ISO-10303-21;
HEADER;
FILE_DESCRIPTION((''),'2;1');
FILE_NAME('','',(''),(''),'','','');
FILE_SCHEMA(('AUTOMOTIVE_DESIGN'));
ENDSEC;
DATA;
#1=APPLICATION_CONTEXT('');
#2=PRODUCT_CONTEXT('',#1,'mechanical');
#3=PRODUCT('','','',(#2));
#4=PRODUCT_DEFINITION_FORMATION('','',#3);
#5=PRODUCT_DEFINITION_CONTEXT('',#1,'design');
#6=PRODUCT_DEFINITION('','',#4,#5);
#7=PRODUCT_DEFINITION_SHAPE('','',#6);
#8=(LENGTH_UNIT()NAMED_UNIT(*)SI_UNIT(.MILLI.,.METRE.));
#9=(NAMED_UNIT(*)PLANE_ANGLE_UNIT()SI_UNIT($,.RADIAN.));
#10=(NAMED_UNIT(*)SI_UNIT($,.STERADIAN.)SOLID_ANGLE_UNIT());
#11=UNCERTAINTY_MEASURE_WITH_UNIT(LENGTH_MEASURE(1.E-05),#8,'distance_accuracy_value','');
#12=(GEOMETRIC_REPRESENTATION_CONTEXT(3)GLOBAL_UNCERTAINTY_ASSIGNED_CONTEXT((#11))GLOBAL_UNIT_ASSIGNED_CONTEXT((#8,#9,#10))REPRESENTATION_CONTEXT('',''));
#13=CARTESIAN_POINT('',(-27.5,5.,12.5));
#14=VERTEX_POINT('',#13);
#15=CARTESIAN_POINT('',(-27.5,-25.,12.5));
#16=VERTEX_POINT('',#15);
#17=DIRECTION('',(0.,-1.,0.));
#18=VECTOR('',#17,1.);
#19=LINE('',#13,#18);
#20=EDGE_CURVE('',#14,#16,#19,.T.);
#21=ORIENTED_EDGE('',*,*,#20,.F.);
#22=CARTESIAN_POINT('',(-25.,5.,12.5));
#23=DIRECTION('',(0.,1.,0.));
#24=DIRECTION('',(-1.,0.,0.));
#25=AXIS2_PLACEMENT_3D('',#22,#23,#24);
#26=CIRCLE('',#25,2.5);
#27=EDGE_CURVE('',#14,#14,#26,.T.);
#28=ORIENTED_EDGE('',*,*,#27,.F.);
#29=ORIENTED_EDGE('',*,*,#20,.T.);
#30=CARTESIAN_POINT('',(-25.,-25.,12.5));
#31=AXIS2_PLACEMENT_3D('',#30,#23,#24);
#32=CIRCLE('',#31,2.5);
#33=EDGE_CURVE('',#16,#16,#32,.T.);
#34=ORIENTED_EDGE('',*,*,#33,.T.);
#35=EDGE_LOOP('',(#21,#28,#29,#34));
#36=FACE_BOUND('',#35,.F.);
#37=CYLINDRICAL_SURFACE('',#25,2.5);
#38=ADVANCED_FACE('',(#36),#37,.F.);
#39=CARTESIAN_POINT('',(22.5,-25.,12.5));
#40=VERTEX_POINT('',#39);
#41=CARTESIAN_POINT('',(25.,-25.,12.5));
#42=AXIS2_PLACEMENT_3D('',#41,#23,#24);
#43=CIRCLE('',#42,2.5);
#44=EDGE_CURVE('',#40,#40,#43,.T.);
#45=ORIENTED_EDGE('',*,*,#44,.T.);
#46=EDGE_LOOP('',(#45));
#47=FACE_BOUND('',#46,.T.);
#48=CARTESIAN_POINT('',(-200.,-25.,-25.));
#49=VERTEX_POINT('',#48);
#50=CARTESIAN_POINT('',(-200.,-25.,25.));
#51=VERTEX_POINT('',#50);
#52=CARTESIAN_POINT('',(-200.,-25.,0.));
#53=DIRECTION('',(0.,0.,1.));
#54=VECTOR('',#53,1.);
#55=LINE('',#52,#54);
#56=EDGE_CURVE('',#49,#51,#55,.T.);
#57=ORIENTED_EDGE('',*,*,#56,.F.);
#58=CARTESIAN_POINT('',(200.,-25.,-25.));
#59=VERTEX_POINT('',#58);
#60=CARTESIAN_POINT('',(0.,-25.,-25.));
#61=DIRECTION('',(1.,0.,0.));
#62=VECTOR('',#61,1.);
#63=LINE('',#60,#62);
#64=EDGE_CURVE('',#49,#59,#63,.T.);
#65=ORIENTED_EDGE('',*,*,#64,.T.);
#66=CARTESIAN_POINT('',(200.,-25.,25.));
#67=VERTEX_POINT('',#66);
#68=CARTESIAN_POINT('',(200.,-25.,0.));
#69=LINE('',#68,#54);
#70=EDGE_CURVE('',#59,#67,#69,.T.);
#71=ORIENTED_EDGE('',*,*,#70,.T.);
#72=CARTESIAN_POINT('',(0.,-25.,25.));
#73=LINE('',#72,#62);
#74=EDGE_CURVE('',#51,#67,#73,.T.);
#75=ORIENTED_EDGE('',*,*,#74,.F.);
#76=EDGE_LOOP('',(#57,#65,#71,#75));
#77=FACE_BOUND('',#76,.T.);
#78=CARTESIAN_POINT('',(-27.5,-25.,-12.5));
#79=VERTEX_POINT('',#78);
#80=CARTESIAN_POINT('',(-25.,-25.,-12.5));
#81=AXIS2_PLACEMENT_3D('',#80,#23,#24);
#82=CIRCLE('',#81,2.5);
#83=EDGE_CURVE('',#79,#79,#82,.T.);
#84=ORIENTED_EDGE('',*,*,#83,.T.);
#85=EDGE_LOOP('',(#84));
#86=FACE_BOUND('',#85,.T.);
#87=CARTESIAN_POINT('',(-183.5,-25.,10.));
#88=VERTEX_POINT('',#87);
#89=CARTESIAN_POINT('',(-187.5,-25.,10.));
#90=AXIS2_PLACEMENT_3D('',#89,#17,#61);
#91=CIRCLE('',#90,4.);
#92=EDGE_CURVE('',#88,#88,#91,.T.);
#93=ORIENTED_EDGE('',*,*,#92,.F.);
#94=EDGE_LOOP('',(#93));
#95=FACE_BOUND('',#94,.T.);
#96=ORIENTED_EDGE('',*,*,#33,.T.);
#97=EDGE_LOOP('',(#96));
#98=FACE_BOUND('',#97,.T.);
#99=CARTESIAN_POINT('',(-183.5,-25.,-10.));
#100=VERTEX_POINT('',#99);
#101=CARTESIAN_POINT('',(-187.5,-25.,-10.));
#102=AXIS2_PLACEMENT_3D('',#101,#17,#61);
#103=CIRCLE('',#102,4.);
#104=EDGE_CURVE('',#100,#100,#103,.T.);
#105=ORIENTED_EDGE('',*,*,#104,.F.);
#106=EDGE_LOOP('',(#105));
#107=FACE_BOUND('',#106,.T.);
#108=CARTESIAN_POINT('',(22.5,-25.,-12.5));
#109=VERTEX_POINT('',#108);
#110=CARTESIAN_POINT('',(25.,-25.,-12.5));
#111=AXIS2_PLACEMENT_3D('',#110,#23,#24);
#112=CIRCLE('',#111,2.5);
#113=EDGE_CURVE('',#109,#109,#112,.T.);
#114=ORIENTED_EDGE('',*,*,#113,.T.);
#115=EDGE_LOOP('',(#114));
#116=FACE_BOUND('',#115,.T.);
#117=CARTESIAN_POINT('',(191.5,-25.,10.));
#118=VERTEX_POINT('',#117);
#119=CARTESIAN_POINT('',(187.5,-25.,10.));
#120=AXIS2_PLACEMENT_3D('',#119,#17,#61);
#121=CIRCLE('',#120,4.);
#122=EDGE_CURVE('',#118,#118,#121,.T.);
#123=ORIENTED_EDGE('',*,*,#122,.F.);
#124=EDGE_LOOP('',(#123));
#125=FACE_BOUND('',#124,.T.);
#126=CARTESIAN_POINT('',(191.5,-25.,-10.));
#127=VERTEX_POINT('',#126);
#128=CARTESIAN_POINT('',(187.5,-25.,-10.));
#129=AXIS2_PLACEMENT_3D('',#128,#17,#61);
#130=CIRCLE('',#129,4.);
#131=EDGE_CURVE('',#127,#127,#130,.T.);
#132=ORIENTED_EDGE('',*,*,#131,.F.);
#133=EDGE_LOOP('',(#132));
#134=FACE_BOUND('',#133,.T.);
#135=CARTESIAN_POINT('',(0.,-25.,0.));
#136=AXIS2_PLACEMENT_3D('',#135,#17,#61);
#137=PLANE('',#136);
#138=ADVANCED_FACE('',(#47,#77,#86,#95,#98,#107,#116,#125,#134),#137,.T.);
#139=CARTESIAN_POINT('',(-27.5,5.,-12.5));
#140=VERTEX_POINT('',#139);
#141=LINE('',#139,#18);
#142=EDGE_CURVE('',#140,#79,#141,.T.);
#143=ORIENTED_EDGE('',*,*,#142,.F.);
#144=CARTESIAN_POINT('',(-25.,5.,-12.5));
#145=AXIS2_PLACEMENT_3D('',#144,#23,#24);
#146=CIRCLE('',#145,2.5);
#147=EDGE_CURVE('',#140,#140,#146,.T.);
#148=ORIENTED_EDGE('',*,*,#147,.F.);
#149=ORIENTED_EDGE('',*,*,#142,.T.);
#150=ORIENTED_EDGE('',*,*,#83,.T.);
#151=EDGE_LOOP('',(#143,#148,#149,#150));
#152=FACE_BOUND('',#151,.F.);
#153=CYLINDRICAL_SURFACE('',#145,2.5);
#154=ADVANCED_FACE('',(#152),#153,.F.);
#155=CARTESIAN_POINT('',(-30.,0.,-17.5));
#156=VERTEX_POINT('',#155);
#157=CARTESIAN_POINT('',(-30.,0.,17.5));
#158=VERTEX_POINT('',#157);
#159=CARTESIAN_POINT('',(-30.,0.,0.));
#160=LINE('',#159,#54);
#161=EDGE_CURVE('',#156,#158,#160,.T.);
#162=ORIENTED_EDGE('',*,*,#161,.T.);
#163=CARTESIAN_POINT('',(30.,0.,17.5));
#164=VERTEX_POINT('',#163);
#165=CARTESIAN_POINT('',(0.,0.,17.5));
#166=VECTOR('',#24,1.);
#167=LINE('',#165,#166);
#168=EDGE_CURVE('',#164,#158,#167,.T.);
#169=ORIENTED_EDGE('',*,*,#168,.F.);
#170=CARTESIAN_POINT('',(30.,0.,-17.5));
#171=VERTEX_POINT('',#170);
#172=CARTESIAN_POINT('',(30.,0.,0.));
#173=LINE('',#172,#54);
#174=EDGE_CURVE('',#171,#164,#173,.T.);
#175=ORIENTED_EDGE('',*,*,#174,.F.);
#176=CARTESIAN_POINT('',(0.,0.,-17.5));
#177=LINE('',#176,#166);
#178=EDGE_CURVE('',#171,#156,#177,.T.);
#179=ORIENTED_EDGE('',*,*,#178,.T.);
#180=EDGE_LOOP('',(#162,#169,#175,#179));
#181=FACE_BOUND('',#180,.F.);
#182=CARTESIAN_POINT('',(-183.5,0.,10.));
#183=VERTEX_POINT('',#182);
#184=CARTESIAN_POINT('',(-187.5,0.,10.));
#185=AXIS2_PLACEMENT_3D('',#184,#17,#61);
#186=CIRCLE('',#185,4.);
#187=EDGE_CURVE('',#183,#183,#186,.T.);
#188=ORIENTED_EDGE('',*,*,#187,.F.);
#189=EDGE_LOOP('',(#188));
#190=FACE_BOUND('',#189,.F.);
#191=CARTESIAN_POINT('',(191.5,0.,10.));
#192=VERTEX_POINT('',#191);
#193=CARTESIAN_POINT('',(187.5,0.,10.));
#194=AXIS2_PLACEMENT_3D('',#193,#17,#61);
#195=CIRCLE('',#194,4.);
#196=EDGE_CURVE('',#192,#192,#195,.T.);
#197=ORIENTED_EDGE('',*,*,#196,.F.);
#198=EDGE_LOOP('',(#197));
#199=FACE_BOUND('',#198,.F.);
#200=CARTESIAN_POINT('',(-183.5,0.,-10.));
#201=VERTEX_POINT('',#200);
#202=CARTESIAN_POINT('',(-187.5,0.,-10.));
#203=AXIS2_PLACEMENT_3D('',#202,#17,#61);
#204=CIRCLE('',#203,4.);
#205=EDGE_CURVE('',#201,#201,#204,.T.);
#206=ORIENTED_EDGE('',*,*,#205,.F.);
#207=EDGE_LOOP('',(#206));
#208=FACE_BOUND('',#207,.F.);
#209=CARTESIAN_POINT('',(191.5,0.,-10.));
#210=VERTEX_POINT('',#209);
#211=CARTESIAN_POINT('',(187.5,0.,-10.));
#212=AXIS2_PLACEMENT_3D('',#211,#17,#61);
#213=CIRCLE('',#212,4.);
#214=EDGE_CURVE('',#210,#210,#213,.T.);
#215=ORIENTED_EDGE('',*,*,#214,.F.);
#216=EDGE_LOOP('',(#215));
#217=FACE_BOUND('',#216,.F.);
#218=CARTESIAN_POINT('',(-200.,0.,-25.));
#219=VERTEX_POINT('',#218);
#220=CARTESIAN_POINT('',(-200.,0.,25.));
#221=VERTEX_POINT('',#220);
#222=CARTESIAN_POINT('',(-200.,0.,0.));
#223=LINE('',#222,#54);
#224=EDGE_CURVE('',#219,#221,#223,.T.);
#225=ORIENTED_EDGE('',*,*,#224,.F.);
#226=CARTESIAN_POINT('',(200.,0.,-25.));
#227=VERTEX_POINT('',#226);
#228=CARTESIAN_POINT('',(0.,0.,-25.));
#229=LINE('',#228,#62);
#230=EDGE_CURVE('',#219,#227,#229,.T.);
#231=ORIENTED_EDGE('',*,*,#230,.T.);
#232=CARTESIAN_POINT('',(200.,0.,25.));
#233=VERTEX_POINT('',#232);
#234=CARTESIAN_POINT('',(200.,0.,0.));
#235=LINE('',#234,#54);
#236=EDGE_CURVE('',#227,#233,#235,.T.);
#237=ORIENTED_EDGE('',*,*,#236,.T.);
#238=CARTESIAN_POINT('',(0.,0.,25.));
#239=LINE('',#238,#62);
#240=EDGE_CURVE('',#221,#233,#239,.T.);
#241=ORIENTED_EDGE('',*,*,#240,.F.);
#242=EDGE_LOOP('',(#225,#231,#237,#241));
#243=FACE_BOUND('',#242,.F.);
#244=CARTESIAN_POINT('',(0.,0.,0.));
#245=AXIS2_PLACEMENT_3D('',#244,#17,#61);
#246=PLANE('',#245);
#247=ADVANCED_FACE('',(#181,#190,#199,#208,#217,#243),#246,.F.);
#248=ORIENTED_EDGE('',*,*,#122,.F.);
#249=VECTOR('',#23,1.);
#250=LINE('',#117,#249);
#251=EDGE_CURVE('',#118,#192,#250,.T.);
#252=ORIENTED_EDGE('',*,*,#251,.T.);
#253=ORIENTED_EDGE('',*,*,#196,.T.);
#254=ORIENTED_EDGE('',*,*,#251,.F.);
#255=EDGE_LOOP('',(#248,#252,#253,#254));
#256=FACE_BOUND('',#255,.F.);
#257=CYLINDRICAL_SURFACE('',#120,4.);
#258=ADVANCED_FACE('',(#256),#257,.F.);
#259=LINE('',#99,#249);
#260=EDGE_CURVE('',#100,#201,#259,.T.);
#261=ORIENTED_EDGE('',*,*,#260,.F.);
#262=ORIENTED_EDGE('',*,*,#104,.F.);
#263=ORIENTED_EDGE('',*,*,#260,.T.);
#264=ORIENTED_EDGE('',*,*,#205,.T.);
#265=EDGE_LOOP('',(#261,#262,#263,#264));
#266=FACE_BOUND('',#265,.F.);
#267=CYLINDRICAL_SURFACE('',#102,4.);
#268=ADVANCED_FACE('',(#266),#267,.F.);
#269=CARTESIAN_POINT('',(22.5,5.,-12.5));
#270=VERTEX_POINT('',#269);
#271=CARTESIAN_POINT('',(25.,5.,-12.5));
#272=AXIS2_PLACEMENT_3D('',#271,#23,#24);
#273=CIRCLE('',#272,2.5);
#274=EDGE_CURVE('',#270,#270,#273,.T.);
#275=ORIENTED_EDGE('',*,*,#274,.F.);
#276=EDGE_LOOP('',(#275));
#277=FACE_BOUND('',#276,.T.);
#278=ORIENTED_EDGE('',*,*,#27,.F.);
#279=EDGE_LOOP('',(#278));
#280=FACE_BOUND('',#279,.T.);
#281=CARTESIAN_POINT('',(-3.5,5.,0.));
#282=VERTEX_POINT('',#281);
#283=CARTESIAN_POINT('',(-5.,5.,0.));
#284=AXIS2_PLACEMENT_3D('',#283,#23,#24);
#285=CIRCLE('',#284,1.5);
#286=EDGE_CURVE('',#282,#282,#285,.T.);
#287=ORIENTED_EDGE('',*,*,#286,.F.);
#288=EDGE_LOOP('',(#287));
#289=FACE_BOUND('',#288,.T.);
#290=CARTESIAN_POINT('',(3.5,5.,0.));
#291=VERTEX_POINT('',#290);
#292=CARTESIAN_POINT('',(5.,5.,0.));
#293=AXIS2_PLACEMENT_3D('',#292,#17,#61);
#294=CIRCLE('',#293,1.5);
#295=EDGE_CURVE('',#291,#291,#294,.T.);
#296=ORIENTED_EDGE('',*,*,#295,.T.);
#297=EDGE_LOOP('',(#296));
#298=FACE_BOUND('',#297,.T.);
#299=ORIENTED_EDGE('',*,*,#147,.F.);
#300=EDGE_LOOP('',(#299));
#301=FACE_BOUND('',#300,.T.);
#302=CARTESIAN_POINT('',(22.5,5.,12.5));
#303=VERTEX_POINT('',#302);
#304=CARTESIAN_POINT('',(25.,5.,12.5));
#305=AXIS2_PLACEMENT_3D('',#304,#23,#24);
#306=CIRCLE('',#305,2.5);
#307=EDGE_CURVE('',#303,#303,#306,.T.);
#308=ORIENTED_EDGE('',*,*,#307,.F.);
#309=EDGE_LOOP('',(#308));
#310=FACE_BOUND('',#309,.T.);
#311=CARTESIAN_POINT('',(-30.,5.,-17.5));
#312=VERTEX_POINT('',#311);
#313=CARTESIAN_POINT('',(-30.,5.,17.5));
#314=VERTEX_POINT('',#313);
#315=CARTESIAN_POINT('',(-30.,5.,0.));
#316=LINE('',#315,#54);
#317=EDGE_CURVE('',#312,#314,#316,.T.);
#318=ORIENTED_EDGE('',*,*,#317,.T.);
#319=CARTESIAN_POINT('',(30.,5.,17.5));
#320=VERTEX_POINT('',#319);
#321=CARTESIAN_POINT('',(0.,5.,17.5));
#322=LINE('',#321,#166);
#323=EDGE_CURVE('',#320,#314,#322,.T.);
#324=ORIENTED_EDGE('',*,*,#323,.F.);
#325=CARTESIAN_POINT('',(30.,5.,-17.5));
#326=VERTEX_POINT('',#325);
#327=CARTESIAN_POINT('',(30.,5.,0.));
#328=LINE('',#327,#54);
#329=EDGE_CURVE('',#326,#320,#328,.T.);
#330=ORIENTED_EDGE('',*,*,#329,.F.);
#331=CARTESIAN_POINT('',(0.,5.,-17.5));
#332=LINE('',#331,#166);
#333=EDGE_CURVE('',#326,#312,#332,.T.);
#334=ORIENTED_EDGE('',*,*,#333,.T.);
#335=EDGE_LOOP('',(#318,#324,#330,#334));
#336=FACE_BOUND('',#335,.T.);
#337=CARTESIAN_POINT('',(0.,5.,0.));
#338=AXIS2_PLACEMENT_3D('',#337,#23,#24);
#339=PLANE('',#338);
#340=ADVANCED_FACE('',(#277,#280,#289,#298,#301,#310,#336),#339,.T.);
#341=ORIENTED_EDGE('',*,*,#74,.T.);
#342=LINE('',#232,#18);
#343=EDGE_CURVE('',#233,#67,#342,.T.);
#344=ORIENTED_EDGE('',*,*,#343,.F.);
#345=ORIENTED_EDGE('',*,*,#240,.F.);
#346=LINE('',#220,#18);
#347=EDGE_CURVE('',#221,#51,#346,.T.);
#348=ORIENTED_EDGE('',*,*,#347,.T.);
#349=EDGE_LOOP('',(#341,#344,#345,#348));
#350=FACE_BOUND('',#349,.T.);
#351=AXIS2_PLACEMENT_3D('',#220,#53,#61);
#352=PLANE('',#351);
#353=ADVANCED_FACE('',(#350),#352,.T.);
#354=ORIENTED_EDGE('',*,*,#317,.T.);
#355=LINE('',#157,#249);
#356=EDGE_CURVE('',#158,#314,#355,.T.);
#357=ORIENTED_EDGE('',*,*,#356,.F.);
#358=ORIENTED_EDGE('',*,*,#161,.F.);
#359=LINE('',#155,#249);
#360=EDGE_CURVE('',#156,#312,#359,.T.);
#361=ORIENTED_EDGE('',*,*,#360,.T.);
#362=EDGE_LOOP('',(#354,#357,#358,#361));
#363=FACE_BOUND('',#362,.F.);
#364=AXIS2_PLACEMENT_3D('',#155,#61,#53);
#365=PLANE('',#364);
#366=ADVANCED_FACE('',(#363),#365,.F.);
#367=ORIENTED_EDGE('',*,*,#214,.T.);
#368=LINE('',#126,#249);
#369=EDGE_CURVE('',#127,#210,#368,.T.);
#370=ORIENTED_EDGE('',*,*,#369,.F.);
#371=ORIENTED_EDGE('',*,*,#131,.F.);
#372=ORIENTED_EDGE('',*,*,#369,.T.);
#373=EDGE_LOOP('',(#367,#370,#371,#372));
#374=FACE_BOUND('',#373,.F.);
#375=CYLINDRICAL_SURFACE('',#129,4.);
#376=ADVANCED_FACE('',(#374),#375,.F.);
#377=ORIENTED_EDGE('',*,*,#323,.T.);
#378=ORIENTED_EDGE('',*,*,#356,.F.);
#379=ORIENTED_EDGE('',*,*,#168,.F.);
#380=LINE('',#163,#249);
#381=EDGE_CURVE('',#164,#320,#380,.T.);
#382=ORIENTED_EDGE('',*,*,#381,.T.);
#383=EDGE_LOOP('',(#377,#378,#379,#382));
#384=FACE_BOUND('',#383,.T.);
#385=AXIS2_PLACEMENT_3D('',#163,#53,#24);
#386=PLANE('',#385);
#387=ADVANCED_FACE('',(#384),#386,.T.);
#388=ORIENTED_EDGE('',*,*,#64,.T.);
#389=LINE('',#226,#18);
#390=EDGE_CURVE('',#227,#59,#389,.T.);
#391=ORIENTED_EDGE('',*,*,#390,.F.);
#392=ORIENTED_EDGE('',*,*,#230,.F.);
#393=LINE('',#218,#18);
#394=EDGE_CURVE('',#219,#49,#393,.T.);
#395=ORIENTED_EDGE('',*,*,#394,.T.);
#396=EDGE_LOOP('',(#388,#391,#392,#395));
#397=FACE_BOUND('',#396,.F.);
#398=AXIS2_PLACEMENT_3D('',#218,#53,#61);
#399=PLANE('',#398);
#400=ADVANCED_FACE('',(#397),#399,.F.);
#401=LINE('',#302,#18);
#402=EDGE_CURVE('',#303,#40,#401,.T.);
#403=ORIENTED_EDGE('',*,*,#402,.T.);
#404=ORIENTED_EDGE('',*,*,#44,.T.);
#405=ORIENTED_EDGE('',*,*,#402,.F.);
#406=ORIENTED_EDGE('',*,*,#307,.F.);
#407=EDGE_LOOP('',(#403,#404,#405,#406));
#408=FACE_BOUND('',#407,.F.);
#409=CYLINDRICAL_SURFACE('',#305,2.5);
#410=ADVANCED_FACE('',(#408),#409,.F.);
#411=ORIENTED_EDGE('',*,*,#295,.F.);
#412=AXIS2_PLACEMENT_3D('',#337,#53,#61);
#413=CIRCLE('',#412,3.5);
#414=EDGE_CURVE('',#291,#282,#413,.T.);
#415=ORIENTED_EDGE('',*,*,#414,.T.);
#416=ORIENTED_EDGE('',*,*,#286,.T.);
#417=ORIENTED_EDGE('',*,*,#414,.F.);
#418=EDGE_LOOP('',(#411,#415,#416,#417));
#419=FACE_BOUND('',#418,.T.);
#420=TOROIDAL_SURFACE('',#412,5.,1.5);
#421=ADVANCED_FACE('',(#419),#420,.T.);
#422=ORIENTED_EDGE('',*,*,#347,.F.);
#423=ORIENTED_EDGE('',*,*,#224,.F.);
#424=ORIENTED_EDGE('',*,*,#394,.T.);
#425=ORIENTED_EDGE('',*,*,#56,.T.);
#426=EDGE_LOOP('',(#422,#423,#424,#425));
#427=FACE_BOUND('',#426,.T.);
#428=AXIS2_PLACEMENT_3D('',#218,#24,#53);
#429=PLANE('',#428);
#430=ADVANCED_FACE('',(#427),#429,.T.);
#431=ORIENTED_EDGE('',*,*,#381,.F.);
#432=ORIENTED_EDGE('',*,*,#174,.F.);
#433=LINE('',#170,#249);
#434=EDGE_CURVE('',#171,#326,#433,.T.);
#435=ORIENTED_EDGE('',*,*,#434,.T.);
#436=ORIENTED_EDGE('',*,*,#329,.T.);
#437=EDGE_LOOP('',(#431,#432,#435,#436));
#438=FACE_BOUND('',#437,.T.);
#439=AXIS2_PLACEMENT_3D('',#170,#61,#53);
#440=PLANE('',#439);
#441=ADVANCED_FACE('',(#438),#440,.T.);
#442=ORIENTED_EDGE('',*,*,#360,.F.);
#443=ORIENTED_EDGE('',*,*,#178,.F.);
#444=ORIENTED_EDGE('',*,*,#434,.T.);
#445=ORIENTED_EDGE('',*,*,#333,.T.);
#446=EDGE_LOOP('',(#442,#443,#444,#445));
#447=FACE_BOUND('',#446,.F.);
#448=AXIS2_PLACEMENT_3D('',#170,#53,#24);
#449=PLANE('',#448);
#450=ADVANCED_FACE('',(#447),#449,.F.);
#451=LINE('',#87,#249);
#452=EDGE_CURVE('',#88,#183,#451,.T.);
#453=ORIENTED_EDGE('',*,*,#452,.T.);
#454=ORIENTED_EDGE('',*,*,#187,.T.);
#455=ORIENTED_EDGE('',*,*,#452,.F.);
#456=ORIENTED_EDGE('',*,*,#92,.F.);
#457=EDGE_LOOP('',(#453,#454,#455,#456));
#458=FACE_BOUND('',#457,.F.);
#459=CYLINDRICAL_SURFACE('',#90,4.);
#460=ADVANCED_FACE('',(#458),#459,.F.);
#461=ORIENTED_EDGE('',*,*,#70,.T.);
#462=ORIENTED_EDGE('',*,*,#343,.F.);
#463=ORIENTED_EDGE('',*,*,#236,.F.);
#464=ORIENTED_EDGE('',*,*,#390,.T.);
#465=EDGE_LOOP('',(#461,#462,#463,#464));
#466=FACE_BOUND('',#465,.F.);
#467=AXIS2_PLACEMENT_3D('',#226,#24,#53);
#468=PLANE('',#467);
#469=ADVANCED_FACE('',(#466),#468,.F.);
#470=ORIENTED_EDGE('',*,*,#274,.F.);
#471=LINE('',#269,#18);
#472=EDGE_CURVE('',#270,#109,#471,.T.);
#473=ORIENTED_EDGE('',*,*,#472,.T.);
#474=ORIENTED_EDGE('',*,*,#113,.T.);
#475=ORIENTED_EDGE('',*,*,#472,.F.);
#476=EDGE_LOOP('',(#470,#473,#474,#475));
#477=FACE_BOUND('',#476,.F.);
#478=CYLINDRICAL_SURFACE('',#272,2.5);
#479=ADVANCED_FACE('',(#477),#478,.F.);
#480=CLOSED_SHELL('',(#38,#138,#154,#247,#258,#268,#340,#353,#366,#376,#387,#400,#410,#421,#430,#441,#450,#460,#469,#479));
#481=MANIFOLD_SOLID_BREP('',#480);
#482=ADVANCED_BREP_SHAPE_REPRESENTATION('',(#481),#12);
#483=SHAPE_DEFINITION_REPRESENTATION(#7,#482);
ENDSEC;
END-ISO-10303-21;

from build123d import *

# Parameters (mm, degrees)
F0_W     = 400
F0_H     = 50
F1_DEPTH = 25
F2_R     = 4
F3_DEPTH = 25
F4_W     = 60
F4_H     = 35
F5_DEPTH = 5
F6_R     = 2.5
F7_DEPTH = 30.001
F8_R     = 1.5


with BuildPart() as f1:
    # F0 (on Front) → F1 (new body)
    with BuildSketch(Plane.XZ):
        Rectangle(F0_W, F0_H)
    extrude(amount=F1_DEPTH)

    # F2 (on face) → F3 (cut, through all)
    with BuildSketch(Plane.XZ.offset(25)):
        with Locations((-187.5, 10)):
            Circle(F2_R)
        with Locations((-187.5, -10)):
            Circle(F2_R)
        with Locations((187.5, 10)):
            Circle(F2_R)
        with Locations((187.5, -10)):
            Circle(F2_R)
    extrude(amount=-F3_DEPTH, mode=Mode.SUBTRACT)

    # F4 (on face) → F5 (join)
    with BuildSketch(Plane(origin=(0, 0, 0), x_dir=(-1, 0, 0), z_dir=(0, 1, 0))):
        Rectangle(F4_W, F4_H)
    extrude(amount=F5_DEPTH)

    # F6 (on face) → F7 (cut, through all)
    with BuildSketch(Plane(origin=(0, 5, 0), x_dir=(-1, 0, 0), z_dir=(0, 1, 0))):
        with Locations((-25, 12.5)):
            Circle(F6_R)
        with Locations((25, 12.5)):
            Circle(F6_R)
        with Locations((25, -12.5)):
            Circle(F6_R)
        with Locations((-25, -12.5)):
            Circle(F6_R)
    extrude(amount=-F7_DEPTH, mode=Mode.SUBTRACT)

    # F11: sweep along a path in F10
    with BuildLine(Plane.XY) as f11_path:
        ThreePointArc((5, 5), (0, 10), (-5, 5))
    # F8 (on face) → F11 (sweep)
    with BuildSketch(Plane(origin=(0, 5, 0), x_dir=(-1, 0, 0), z_dir=(0, 1, 0))):
        with Locations((-5, 0)):
            Circle(F8_R)
    sweep(path=f11_path.line)


solid = f1.part
